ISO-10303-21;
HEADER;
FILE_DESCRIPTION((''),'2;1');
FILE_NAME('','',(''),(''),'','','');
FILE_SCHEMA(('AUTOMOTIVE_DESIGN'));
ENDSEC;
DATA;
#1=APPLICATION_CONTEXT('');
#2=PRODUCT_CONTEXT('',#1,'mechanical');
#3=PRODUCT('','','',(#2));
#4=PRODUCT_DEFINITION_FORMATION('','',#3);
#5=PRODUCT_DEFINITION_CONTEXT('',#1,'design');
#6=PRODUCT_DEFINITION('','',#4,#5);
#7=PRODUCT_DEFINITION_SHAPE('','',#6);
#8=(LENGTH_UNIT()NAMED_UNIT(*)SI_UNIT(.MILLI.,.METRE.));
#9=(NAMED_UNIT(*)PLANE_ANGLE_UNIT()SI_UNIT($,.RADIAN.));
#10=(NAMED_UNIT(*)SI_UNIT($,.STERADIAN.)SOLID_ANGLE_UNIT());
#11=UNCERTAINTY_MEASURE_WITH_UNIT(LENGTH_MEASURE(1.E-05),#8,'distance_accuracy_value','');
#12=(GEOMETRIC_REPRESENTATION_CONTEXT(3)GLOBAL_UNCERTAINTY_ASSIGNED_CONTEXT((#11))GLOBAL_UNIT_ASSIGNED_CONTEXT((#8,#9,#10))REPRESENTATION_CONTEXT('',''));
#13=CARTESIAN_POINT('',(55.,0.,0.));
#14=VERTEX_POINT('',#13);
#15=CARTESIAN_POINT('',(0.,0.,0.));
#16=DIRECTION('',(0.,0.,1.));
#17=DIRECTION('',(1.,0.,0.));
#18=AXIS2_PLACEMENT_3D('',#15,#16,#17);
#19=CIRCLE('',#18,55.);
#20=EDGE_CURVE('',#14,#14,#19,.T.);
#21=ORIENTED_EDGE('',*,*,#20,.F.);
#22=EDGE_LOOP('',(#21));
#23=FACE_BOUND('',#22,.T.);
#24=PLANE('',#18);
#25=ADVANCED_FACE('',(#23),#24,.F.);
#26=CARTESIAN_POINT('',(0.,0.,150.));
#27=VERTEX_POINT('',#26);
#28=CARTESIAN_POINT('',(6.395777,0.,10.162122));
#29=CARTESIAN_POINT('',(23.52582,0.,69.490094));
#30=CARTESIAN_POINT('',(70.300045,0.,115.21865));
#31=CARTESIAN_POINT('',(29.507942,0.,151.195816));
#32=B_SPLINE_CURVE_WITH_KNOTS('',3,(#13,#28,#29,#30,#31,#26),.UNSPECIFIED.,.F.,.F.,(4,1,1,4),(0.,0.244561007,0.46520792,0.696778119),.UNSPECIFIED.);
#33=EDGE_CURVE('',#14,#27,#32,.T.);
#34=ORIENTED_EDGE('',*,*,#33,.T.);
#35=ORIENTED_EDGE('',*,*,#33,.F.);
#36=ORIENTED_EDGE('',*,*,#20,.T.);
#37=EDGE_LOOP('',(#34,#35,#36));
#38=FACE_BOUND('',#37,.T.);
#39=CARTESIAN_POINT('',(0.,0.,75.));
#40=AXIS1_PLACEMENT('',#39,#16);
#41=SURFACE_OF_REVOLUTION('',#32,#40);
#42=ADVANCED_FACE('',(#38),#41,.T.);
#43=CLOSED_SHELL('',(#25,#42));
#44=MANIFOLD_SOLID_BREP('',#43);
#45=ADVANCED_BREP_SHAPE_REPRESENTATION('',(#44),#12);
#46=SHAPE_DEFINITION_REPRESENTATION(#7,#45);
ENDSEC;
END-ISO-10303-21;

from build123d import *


with BuildPart() as f1:
    # F0 (on Front) → F1 (revolve)
    with BuildSketch(Plane.XZ):
        with BuildLine():
            Line((0, 150), (0, 0))
            Line((0, 0), (55, 0))
            add(Edge.make_bspline(
                [(55, 0), (6.395777144, 10.1621224902), (23.5258204254, 69.4900936096), (70.3000449826, 115.2186499184), (29.5079423297, 151.1958155685), (0, 150)],
                knots=[0, 0, 0, 0, 0.2445610067, 0.4652079199, 0.6967781187, 0.6967781187, 0.6967781187, 0.6967781187], degree=3))
        make_face()
    revolve(axis=Axis((0, 0, 75), (0, 0, 1)))


solid = f1.part
